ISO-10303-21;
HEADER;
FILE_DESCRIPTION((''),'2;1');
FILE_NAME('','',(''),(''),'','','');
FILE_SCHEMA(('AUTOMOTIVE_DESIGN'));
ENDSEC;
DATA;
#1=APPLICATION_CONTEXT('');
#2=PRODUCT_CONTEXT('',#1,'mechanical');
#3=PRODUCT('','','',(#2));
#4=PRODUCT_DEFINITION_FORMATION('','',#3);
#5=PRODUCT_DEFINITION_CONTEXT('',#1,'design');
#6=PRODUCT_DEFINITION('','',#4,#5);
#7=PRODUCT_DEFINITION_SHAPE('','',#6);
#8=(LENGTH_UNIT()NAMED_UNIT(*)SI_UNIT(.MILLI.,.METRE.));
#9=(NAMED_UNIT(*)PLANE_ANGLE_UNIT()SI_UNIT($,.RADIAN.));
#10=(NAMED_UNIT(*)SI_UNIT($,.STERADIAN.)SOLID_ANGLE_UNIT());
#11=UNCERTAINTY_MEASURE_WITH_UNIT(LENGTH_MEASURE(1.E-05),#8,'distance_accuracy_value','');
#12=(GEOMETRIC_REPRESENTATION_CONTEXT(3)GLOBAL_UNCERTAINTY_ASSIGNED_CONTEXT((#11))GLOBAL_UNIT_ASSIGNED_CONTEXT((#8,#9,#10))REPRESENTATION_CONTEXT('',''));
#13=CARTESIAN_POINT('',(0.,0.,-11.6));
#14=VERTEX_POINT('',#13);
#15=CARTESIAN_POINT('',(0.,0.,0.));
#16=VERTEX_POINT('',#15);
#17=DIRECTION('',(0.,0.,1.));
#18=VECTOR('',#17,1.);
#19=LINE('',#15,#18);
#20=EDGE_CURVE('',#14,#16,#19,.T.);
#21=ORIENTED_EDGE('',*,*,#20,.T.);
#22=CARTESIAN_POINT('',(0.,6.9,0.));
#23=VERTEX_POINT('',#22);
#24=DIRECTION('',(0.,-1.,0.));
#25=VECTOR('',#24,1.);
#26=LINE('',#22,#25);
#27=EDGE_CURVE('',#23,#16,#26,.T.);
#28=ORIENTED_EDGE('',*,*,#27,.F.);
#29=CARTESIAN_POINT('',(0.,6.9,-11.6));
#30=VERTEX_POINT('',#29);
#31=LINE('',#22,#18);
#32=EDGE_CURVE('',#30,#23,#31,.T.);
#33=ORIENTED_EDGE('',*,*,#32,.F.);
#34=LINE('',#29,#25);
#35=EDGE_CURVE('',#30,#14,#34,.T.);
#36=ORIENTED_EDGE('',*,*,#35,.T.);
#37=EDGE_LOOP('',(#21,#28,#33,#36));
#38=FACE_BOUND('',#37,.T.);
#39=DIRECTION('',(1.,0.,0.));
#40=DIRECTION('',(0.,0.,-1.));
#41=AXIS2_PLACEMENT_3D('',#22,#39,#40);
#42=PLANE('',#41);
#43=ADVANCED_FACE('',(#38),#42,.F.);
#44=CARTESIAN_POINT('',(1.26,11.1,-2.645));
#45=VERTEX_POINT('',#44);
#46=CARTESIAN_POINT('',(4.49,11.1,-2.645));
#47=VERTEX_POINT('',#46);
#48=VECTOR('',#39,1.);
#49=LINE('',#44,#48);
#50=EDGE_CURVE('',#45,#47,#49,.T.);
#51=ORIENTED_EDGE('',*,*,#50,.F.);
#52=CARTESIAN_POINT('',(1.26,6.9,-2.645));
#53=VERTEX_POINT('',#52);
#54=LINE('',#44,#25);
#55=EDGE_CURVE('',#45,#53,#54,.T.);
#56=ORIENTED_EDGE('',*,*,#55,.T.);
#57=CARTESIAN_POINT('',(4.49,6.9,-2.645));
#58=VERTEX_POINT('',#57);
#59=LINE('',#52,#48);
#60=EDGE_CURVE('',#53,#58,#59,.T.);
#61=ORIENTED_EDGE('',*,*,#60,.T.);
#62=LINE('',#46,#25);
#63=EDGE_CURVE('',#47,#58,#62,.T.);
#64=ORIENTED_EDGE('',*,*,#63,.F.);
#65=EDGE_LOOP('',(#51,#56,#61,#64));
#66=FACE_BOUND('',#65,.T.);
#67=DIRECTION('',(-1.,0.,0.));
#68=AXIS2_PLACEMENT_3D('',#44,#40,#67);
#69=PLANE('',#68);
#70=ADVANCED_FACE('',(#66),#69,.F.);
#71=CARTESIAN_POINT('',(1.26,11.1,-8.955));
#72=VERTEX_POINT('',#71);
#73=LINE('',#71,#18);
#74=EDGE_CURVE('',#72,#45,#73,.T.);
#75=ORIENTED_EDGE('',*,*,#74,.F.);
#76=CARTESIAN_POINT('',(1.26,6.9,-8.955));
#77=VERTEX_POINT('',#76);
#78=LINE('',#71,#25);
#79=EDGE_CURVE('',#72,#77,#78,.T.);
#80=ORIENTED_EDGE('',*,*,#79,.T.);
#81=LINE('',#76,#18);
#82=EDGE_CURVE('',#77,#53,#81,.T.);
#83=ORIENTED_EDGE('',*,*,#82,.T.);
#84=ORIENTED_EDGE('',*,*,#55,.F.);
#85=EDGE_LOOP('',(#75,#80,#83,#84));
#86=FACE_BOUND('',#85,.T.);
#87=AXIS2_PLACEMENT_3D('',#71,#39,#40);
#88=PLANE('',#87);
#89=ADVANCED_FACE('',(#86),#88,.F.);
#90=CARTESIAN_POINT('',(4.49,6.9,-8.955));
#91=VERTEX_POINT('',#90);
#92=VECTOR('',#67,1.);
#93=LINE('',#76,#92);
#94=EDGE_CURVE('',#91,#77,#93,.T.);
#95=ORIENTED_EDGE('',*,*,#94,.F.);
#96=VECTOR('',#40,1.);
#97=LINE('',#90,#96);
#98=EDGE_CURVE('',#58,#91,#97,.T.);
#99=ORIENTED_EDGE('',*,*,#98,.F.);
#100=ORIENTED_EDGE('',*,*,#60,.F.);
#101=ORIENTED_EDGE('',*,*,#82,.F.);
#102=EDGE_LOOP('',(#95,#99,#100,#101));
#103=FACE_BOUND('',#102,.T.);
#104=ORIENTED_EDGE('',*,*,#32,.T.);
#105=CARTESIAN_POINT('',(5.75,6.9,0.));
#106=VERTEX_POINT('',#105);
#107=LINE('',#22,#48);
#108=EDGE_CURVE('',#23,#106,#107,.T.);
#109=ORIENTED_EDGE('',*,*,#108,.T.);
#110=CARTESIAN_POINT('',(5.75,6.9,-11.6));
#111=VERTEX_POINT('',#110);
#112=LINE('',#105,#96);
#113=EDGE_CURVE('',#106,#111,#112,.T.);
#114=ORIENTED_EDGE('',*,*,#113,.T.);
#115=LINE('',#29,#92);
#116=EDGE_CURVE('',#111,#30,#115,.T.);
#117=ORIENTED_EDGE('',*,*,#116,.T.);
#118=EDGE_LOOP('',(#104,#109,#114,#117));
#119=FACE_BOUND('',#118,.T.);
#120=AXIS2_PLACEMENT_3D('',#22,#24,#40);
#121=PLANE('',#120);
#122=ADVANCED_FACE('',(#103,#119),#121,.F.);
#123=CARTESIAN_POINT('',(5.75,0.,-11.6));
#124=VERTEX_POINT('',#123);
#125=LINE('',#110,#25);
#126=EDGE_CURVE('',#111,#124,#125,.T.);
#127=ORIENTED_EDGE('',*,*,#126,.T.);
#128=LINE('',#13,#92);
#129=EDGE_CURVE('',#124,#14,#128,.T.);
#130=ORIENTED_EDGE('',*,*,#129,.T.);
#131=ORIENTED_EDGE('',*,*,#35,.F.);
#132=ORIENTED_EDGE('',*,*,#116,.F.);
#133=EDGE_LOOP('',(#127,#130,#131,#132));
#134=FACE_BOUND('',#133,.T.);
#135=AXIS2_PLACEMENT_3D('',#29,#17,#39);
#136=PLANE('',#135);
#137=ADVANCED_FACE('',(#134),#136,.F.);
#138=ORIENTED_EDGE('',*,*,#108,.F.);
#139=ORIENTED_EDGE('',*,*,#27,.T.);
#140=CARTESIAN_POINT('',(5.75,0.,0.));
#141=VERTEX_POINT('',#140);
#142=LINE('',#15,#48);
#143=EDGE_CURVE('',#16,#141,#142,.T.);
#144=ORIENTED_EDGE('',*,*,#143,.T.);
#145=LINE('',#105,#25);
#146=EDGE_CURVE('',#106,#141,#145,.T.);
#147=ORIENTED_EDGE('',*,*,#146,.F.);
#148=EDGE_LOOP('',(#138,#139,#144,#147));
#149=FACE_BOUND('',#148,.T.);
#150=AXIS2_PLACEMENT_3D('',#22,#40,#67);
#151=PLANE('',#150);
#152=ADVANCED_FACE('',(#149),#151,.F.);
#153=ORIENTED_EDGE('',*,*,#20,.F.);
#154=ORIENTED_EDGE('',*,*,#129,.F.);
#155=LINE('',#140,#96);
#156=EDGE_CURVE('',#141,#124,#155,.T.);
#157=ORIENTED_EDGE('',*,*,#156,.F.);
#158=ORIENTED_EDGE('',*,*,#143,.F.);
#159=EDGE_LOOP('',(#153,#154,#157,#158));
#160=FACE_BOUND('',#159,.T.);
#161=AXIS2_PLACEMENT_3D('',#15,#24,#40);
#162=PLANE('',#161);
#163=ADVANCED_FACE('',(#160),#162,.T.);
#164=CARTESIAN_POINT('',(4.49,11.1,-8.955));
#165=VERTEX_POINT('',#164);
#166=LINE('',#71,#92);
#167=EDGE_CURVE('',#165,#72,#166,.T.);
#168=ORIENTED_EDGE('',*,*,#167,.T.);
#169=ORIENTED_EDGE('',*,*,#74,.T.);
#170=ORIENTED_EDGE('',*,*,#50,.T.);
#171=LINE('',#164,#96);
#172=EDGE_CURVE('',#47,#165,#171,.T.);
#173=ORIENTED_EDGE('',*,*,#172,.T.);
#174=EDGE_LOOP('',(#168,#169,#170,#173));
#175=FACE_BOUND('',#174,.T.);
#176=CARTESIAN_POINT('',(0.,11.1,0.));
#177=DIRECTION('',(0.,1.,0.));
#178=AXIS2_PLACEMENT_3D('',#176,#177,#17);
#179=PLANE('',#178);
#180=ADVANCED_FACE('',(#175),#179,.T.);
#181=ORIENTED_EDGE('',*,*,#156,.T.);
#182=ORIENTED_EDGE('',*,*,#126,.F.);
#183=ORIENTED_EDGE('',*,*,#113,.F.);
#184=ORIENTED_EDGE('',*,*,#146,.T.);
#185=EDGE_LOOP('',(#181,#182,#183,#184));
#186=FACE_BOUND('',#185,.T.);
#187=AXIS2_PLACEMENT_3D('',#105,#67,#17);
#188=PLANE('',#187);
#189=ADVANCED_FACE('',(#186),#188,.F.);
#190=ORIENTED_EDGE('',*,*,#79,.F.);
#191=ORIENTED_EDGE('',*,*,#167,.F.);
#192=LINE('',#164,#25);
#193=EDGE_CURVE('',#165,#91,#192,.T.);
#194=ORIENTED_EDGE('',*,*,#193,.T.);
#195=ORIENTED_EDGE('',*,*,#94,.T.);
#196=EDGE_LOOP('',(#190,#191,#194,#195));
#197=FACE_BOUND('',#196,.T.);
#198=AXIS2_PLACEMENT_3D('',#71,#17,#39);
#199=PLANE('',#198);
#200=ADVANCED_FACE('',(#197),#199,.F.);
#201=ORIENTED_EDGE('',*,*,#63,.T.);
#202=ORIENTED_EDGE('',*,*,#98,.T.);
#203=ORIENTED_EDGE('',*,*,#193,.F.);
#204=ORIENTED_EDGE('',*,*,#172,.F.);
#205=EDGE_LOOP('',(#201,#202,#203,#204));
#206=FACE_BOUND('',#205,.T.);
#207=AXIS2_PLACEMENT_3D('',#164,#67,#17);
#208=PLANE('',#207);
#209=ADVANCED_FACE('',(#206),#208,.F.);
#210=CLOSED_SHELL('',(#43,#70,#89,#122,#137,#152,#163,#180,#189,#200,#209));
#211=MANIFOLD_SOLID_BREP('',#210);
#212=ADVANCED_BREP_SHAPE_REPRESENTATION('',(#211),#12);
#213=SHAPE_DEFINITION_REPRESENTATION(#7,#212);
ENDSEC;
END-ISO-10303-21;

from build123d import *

# Parameters (mm, degrees)
SWITCH_BASE_SKETCH_W      = 5.75
SWITCH_BASE_SKETCH_H      = 11.6
SWITCH_BASE_EXTRUDE_DEPTH = 6.9
PULLSWITCH_SKETCH_W       = 3.23
PULLSWITCH_SKETCH_H       = 6.31
PULLSWITCH_EXTRUDE_DEPTH  = 4.2


with BuildPart() as part:
    # Switch Base Sketch → Switch Base Extrude (new body)
    with BuildSketch(Plane(origin=(0, 0, 0), x_dir=(1, 0, 0), z_dir=(0, 1, 0))):
        with Locations((2.875, 5.8)):
            Rectangle(SWITCH_BASE_SKETCH_W, SWITCH_BASE_SKETCH_H)
    extrude(amount=SWITCH_BASE_EXTRUDE_DEPTH)

    # PullSwitch Sketch → PullSwitch Extrude (add)
    with BuildSketch(Plane(origin=(0, 6.9, 0), x_dir=(1, 0, 0), z_dir=(0, 1, 0))):
        with Locations((2.875, 5.8)):
            Rectangle(PULLSWITCH_SKETCH_W, PULLSWITCH_SKETCH_H)
    extrude(amount=PULLSWITCH_EXTRUDE_DEPTH)


solid = part.part
